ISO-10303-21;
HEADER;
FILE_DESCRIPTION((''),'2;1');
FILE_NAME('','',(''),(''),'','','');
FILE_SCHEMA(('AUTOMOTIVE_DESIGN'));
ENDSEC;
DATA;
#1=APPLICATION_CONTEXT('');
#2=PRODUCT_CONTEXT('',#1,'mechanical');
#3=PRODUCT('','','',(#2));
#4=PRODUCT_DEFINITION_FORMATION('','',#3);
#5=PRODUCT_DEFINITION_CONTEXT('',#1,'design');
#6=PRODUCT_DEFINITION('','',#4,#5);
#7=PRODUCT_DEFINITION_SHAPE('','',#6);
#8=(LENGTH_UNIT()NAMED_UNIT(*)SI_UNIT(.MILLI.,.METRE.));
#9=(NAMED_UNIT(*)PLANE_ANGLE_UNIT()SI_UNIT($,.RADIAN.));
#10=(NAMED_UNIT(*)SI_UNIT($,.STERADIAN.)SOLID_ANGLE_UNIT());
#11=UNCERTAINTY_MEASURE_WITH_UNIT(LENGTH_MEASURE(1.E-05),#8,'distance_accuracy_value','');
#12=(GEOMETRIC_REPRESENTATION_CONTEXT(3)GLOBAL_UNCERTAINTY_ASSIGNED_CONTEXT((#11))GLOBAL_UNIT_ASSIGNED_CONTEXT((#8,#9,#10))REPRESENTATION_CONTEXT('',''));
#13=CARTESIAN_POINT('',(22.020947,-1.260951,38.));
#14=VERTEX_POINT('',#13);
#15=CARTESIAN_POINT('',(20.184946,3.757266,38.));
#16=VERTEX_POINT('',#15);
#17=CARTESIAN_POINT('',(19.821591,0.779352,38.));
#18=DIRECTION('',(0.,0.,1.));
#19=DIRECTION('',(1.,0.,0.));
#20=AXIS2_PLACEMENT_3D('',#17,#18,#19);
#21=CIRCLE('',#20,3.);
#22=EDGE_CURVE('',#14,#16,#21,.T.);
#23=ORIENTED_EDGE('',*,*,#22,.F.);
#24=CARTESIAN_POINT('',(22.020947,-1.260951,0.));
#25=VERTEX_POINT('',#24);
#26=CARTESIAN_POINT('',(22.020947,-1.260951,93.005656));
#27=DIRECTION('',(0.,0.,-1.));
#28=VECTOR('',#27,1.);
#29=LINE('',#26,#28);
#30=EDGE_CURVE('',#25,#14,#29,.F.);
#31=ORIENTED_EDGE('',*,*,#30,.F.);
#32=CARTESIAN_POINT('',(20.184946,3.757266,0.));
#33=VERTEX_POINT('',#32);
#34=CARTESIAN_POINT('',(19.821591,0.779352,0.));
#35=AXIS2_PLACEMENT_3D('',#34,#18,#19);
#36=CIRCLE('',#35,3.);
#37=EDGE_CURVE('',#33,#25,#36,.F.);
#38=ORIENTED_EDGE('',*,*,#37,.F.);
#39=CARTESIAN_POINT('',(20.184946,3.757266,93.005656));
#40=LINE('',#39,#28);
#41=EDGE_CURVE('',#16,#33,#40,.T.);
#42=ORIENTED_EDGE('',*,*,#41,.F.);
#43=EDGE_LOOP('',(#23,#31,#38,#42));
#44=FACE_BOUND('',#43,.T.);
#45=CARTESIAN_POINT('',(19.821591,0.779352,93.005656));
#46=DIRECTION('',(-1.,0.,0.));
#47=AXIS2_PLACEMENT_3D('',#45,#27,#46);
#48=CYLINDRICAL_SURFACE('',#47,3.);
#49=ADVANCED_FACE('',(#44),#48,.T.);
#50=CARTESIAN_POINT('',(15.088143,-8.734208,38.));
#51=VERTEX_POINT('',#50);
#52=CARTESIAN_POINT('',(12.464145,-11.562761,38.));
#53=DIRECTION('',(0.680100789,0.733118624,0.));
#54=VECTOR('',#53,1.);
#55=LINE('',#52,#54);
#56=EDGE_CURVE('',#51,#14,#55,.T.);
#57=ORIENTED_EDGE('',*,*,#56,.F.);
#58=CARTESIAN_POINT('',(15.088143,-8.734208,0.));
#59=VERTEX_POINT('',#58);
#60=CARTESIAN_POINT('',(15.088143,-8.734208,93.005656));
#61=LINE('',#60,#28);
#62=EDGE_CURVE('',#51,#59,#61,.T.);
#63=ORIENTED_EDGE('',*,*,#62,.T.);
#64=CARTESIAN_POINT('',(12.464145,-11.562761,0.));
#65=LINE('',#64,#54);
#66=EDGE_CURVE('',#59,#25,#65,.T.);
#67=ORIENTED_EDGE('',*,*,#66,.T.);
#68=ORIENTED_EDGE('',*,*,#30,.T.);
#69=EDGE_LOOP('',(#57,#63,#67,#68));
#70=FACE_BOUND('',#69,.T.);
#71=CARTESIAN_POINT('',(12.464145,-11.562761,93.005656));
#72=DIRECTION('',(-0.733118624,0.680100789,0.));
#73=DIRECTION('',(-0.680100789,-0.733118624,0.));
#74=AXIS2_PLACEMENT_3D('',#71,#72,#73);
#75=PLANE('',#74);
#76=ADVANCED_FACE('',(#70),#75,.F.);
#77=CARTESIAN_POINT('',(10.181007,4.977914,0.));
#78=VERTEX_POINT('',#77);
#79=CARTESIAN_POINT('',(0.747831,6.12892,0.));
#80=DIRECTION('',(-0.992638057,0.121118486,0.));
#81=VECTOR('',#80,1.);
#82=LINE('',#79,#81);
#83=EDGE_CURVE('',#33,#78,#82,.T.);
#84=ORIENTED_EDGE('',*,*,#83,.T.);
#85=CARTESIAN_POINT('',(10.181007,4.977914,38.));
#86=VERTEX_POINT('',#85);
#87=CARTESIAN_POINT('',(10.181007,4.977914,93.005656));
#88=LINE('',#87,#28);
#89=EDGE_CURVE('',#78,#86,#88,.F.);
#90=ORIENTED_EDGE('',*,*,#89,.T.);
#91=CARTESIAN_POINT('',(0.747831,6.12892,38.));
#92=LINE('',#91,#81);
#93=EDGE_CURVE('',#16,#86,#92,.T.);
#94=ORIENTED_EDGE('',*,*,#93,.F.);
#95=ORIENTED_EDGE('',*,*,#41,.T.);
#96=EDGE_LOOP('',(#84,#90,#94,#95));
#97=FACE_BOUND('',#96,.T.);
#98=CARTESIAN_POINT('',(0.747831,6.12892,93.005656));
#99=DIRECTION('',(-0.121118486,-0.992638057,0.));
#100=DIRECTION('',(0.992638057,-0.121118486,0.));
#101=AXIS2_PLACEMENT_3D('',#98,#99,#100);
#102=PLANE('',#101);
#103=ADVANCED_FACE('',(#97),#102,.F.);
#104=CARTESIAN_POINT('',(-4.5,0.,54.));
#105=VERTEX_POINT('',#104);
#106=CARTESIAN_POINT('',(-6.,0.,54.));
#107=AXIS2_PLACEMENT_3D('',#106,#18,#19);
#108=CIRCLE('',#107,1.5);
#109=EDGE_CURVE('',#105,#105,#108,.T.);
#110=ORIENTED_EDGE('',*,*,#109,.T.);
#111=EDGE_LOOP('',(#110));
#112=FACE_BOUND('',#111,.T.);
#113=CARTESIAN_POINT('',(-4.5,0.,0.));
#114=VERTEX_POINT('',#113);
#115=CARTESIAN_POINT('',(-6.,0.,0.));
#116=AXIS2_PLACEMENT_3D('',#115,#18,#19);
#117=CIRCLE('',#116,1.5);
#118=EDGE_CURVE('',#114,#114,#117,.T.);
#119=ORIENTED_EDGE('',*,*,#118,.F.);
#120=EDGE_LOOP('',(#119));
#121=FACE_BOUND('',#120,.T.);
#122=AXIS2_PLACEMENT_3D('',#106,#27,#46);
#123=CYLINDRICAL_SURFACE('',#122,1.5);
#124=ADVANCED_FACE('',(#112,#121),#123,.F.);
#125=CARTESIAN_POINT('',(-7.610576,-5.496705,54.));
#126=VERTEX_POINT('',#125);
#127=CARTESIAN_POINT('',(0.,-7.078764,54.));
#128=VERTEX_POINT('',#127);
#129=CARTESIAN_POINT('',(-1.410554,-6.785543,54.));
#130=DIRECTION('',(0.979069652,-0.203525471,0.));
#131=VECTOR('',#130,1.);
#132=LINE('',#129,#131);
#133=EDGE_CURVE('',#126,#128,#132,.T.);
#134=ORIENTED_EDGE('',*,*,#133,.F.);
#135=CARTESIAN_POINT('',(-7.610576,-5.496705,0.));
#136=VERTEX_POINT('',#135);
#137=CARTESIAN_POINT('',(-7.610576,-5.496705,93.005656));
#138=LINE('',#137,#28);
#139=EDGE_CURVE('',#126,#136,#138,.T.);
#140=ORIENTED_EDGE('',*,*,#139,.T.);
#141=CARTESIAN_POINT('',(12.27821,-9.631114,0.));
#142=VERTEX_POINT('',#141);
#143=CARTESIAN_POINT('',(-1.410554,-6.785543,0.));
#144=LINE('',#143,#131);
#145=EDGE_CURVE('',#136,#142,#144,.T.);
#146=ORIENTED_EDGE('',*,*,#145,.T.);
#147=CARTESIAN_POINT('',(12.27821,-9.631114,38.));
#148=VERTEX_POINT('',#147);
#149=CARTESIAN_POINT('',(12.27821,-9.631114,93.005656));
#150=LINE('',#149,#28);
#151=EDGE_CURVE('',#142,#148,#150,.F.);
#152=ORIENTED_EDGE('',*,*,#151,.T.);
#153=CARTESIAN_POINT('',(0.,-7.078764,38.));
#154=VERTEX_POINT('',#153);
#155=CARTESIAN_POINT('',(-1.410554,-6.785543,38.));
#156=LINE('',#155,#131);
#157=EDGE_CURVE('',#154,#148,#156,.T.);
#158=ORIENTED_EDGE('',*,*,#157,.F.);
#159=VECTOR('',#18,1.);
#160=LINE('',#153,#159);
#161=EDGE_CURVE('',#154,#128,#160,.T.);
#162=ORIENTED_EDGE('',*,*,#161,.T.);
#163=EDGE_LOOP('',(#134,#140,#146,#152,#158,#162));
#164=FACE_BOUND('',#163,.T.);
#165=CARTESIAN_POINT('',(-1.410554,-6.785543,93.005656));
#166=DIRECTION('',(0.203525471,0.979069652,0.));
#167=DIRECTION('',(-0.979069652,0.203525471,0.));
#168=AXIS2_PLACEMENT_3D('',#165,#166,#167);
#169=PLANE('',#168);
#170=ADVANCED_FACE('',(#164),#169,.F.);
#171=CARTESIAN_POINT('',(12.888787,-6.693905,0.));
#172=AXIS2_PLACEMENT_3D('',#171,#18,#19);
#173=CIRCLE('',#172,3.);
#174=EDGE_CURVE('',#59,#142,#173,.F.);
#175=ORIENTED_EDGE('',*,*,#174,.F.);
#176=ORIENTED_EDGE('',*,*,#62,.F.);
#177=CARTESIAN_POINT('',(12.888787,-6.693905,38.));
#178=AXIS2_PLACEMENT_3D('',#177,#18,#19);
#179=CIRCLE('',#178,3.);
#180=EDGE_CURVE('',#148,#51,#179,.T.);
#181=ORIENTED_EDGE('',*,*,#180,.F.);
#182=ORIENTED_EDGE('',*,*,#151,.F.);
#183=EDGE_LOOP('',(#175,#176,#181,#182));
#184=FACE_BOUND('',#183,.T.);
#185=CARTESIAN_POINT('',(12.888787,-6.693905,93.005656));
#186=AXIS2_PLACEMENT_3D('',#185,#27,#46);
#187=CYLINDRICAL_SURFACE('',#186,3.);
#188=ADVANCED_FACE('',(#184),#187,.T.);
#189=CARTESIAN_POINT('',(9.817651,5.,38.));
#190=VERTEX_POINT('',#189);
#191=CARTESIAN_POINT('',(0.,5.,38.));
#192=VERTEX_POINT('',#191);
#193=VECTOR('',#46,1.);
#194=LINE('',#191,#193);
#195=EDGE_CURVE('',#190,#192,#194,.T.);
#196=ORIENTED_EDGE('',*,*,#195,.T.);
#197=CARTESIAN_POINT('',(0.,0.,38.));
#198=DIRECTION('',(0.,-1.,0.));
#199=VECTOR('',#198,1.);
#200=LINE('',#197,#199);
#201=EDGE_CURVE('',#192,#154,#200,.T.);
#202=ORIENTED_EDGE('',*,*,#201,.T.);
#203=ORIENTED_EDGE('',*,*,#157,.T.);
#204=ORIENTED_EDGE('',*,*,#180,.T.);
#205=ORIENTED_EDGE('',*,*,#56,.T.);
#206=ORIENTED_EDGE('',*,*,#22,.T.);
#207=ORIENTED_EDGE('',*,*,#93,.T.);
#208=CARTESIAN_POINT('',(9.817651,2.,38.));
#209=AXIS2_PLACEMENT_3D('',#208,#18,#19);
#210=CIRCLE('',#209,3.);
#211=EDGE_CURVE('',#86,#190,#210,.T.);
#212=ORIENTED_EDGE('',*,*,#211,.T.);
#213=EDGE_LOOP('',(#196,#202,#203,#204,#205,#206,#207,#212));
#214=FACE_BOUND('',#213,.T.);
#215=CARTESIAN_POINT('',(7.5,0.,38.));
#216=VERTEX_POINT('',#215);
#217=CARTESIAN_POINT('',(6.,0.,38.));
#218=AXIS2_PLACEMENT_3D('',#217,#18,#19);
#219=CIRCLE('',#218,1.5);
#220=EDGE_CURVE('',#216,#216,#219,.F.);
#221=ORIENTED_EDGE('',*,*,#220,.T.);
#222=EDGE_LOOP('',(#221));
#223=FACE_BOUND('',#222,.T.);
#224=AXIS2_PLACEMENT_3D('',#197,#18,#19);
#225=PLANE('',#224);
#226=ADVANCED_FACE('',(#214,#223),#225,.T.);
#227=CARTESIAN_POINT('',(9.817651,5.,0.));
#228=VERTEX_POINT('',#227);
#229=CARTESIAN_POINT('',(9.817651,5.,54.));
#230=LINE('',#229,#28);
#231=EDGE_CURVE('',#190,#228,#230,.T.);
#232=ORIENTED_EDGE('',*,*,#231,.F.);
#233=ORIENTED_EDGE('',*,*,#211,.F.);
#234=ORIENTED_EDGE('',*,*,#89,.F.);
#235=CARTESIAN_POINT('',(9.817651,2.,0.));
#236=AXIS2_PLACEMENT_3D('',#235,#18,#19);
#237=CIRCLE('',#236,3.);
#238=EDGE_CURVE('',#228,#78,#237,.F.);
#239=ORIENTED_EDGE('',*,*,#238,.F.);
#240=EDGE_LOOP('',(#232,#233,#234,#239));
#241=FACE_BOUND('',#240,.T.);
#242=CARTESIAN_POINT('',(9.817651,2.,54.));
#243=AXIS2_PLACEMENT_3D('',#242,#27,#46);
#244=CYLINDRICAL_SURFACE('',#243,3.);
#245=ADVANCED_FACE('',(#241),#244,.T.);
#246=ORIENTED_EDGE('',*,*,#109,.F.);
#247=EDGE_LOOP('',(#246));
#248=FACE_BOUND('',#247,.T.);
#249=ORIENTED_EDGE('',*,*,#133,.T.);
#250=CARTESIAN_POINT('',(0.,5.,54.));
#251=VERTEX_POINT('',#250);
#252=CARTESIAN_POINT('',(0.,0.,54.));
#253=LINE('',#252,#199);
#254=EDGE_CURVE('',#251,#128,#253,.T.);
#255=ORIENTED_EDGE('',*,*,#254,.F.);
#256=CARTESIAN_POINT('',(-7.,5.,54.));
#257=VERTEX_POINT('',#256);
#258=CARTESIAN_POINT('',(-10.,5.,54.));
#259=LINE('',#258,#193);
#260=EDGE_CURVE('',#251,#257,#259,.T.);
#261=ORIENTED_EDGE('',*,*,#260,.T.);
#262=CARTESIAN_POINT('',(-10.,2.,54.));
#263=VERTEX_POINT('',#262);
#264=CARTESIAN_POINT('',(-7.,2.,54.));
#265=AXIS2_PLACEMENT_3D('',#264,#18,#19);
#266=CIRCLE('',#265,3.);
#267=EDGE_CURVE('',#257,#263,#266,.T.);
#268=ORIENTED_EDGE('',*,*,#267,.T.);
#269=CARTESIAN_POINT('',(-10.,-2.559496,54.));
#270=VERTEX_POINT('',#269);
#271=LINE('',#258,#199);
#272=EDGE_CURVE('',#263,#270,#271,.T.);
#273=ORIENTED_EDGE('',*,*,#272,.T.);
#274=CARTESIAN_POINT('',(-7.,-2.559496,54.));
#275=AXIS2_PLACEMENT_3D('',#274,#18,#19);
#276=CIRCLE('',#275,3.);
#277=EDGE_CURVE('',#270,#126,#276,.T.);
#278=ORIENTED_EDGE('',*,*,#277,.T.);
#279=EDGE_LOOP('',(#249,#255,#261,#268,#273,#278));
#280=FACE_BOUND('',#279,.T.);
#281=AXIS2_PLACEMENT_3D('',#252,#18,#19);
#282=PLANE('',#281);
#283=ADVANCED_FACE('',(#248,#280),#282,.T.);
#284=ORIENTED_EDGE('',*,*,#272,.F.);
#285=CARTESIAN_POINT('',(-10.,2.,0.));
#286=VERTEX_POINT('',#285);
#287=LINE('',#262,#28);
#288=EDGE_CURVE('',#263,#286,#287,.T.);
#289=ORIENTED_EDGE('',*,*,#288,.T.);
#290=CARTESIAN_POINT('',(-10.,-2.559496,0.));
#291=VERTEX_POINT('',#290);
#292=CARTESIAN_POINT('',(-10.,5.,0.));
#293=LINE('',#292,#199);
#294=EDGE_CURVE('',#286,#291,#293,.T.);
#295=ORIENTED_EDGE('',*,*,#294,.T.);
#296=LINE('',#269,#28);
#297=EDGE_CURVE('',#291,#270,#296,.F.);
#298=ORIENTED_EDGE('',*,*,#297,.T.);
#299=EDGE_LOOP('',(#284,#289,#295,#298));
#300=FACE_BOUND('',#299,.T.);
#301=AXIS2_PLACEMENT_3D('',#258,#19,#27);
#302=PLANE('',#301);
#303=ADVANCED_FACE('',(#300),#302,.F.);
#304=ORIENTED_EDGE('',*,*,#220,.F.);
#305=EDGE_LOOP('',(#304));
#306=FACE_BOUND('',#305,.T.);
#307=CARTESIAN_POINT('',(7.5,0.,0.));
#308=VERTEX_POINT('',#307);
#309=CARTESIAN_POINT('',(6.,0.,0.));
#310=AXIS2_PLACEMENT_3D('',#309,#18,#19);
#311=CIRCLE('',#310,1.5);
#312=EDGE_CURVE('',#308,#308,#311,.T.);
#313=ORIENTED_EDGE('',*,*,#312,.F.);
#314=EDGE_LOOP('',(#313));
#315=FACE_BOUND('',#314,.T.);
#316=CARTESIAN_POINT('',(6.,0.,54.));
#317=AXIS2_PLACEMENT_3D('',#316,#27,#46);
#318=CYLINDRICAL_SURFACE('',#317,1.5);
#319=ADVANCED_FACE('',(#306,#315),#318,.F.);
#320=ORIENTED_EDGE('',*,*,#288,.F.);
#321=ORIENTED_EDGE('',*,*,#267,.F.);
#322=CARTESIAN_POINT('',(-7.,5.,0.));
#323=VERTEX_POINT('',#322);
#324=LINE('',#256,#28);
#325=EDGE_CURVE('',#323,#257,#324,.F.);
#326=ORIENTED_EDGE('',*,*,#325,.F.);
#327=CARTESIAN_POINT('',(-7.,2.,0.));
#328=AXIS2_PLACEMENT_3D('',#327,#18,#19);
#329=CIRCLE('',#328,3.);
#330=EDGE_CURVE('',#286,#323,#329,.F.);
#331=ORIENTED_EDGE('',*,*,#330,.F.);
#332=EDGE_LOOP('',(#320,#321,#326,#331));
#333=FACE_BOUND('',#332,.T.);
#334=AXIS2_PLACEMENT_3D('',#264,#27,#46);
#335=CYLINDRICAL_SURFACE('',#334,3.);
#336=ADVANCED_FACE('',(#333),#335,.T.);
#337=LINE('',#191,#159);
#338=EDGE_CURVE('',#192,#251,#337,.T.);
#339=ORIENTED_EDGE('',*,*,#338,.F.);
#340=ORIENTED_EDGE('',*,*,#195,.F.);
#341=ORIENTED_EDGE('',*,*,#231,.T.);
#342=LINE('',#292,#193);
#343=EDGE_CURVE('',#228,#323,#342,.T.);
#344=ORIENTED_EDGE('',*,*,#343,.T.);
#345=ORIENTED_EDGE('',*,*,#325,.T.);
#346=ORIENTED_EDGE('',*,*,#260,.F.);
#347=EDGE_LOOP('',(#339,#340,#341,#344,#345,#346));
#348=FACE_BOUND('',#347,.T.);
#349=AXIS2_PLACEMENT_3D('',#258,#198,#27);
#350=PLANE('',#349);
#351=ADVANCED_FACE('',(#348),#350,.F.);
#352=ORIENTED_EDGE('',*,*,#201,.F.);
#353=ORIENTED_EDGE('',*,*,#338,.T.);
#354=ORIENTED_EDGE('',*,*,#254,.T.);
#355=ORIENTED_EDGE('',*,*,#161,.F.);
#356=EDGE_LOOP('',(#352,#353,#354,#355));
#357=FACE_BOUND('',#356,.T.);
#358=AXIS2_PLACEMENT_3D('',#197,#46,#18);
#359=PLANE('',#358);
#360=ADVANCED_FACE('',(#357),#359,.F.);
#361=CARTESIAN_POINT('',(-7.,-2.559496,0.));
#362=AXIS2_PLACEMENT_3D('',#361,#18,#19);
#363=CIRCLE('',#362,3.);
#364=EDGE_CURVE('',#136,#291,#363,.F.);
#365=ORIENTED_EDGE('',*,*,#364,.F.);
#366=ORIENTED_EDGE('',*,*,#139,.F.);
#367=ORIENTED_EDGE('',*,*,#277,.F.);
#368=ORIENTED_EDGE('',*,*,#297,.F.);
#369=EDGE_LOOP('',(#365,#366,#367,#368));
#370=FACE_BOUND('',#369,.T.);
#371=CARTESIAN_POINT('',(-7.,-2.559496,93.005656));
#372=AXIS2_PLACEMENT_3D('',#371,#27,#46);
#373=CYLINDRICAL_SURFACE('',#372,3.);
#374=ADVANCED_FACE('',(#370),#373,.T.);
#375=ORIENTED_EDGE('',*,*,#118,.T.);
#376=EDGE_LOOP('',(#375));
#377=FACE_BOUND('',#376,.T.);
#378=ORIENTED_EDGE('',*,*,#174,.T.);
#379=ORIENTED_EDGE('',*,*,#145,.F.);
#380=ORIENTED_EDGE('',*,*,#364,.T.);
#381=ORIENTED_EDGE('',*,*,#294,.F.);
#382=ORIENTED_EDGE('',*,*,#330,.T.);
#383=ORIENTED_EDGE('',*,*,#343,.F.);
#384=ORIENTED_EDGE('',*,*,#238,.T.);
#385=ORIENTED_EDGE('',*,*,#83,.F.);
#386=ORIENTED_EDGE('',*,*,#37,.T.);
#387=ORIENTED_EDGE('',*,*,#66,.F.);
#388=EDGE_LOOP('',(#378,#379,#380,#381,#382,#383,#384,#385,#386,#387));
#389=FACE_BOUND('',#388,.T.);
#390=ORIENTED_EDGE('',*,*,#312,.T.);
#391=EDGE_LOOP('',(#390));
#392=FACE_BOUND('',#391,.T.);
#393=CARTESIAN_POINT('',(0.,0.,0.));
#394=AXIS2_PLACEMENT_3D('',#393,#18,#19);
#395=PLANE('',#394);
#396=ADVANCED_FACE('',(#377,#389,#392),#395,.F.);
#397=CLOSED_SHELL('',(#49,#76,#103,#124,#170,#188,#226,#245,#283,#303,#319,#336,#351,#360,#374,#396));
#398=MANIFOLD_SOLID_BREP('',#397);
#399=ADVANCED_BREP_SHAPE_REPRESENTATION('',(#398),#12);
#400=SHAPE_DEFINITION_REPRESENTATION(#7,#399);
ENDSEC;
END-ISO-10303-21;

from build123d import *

# Parameters (mm, degrees)
SKETCH_1_W          = 20
SKETCH_1_H          = 10
SKETCH_1_R          = 1.5
EXTRUDE_1_DEPTH     = 54
EXTRUDE_2_DEPTH     = 54
FILLET_1_R          = 3
SKETCH_4_R          = 1.5
CUT_EXTRUDE_2_DEPTH = 16


with BuildPart() as part:
    # 草图1 → 凸台-拉伸1 (new body)
    with BuildSketch(Plane.XY):
        Rectangle(SKETCH_1_W, SKETCH_1_H)
        with Locations((-6, 0)):
            Circle(SKETCH_1_R, mode=Mode.SUBTRACT)
        with Locations((6, 0)):
            Circle(SKETCH_1_R, mode=Mode.SUBTRACT)
    extrude(amount=EXTRUDE_1_DEPTH)

    # 草图2 → 凸台-拉伸2 (add)
    with BuildSketch(Plane(origin=(0, 0, 0), x_dir=(-1, 0, 0), z_dir=(0, 0, -1))):
        Polygon((-26.016199375, 3.045755137), (-10, 5), (-10, -5), (10, -5), (-13.936339886, -9.975800078), align=None)
    extrude(amount=-EXTRUDE_2_DEPTH)

    # 圆角1
    fillet_1_edges = [part.edges().sort_by_distance(p)[0] for p in [
        (26.016199375, 3.045755137, 27),
        (13.936339886, -9.975800078, 27),
        (-10, -5, 27),
        (-10, 5, 27),
        (10, 5, 27),
    ]]
    fillet(fillet_1_edges, radius=FILLET_1_R)

    # 草图4 → 切除-拉伸2 (cut)
    with BuildSketch(Plane.XY.offset(54)):
        with BuildLine():
            Line((9.817651049, 5), (0, 5))
            Line((0, 5), (0, -7.078763964))
            Line((0, -7.078763964), (12.278210403, -9.631114097))
            ThreePointArc((12.278210403, -9.631114097), (13.801017817, -9.551847513), (15.088142689, -8.734207508))
            Line((15.088142689, -8.734207508), (22.02094679, -1.260950763))
            ThreePointArc((22.02094679, -1.260950763), (22.638947239, 1.810129636), (20.184946376, 3.757265774))
            Line((20.184946376, 3.757265774), (10.181006508, 4.977914171))
            ThreePointArc((10.181006508, 4.977914171), (9.99966408, 4.994473452), (9.817651049, 5))
        make_face()
        with Locations((6, 0)):
            Circle(SKETCH_4_R, mode=Mode.SUBTRACT)
    extrude(amount=-CUT_EXTRUDE_2_DEPTH, mode=Mode.SUBTRACT)


solid = part.part
